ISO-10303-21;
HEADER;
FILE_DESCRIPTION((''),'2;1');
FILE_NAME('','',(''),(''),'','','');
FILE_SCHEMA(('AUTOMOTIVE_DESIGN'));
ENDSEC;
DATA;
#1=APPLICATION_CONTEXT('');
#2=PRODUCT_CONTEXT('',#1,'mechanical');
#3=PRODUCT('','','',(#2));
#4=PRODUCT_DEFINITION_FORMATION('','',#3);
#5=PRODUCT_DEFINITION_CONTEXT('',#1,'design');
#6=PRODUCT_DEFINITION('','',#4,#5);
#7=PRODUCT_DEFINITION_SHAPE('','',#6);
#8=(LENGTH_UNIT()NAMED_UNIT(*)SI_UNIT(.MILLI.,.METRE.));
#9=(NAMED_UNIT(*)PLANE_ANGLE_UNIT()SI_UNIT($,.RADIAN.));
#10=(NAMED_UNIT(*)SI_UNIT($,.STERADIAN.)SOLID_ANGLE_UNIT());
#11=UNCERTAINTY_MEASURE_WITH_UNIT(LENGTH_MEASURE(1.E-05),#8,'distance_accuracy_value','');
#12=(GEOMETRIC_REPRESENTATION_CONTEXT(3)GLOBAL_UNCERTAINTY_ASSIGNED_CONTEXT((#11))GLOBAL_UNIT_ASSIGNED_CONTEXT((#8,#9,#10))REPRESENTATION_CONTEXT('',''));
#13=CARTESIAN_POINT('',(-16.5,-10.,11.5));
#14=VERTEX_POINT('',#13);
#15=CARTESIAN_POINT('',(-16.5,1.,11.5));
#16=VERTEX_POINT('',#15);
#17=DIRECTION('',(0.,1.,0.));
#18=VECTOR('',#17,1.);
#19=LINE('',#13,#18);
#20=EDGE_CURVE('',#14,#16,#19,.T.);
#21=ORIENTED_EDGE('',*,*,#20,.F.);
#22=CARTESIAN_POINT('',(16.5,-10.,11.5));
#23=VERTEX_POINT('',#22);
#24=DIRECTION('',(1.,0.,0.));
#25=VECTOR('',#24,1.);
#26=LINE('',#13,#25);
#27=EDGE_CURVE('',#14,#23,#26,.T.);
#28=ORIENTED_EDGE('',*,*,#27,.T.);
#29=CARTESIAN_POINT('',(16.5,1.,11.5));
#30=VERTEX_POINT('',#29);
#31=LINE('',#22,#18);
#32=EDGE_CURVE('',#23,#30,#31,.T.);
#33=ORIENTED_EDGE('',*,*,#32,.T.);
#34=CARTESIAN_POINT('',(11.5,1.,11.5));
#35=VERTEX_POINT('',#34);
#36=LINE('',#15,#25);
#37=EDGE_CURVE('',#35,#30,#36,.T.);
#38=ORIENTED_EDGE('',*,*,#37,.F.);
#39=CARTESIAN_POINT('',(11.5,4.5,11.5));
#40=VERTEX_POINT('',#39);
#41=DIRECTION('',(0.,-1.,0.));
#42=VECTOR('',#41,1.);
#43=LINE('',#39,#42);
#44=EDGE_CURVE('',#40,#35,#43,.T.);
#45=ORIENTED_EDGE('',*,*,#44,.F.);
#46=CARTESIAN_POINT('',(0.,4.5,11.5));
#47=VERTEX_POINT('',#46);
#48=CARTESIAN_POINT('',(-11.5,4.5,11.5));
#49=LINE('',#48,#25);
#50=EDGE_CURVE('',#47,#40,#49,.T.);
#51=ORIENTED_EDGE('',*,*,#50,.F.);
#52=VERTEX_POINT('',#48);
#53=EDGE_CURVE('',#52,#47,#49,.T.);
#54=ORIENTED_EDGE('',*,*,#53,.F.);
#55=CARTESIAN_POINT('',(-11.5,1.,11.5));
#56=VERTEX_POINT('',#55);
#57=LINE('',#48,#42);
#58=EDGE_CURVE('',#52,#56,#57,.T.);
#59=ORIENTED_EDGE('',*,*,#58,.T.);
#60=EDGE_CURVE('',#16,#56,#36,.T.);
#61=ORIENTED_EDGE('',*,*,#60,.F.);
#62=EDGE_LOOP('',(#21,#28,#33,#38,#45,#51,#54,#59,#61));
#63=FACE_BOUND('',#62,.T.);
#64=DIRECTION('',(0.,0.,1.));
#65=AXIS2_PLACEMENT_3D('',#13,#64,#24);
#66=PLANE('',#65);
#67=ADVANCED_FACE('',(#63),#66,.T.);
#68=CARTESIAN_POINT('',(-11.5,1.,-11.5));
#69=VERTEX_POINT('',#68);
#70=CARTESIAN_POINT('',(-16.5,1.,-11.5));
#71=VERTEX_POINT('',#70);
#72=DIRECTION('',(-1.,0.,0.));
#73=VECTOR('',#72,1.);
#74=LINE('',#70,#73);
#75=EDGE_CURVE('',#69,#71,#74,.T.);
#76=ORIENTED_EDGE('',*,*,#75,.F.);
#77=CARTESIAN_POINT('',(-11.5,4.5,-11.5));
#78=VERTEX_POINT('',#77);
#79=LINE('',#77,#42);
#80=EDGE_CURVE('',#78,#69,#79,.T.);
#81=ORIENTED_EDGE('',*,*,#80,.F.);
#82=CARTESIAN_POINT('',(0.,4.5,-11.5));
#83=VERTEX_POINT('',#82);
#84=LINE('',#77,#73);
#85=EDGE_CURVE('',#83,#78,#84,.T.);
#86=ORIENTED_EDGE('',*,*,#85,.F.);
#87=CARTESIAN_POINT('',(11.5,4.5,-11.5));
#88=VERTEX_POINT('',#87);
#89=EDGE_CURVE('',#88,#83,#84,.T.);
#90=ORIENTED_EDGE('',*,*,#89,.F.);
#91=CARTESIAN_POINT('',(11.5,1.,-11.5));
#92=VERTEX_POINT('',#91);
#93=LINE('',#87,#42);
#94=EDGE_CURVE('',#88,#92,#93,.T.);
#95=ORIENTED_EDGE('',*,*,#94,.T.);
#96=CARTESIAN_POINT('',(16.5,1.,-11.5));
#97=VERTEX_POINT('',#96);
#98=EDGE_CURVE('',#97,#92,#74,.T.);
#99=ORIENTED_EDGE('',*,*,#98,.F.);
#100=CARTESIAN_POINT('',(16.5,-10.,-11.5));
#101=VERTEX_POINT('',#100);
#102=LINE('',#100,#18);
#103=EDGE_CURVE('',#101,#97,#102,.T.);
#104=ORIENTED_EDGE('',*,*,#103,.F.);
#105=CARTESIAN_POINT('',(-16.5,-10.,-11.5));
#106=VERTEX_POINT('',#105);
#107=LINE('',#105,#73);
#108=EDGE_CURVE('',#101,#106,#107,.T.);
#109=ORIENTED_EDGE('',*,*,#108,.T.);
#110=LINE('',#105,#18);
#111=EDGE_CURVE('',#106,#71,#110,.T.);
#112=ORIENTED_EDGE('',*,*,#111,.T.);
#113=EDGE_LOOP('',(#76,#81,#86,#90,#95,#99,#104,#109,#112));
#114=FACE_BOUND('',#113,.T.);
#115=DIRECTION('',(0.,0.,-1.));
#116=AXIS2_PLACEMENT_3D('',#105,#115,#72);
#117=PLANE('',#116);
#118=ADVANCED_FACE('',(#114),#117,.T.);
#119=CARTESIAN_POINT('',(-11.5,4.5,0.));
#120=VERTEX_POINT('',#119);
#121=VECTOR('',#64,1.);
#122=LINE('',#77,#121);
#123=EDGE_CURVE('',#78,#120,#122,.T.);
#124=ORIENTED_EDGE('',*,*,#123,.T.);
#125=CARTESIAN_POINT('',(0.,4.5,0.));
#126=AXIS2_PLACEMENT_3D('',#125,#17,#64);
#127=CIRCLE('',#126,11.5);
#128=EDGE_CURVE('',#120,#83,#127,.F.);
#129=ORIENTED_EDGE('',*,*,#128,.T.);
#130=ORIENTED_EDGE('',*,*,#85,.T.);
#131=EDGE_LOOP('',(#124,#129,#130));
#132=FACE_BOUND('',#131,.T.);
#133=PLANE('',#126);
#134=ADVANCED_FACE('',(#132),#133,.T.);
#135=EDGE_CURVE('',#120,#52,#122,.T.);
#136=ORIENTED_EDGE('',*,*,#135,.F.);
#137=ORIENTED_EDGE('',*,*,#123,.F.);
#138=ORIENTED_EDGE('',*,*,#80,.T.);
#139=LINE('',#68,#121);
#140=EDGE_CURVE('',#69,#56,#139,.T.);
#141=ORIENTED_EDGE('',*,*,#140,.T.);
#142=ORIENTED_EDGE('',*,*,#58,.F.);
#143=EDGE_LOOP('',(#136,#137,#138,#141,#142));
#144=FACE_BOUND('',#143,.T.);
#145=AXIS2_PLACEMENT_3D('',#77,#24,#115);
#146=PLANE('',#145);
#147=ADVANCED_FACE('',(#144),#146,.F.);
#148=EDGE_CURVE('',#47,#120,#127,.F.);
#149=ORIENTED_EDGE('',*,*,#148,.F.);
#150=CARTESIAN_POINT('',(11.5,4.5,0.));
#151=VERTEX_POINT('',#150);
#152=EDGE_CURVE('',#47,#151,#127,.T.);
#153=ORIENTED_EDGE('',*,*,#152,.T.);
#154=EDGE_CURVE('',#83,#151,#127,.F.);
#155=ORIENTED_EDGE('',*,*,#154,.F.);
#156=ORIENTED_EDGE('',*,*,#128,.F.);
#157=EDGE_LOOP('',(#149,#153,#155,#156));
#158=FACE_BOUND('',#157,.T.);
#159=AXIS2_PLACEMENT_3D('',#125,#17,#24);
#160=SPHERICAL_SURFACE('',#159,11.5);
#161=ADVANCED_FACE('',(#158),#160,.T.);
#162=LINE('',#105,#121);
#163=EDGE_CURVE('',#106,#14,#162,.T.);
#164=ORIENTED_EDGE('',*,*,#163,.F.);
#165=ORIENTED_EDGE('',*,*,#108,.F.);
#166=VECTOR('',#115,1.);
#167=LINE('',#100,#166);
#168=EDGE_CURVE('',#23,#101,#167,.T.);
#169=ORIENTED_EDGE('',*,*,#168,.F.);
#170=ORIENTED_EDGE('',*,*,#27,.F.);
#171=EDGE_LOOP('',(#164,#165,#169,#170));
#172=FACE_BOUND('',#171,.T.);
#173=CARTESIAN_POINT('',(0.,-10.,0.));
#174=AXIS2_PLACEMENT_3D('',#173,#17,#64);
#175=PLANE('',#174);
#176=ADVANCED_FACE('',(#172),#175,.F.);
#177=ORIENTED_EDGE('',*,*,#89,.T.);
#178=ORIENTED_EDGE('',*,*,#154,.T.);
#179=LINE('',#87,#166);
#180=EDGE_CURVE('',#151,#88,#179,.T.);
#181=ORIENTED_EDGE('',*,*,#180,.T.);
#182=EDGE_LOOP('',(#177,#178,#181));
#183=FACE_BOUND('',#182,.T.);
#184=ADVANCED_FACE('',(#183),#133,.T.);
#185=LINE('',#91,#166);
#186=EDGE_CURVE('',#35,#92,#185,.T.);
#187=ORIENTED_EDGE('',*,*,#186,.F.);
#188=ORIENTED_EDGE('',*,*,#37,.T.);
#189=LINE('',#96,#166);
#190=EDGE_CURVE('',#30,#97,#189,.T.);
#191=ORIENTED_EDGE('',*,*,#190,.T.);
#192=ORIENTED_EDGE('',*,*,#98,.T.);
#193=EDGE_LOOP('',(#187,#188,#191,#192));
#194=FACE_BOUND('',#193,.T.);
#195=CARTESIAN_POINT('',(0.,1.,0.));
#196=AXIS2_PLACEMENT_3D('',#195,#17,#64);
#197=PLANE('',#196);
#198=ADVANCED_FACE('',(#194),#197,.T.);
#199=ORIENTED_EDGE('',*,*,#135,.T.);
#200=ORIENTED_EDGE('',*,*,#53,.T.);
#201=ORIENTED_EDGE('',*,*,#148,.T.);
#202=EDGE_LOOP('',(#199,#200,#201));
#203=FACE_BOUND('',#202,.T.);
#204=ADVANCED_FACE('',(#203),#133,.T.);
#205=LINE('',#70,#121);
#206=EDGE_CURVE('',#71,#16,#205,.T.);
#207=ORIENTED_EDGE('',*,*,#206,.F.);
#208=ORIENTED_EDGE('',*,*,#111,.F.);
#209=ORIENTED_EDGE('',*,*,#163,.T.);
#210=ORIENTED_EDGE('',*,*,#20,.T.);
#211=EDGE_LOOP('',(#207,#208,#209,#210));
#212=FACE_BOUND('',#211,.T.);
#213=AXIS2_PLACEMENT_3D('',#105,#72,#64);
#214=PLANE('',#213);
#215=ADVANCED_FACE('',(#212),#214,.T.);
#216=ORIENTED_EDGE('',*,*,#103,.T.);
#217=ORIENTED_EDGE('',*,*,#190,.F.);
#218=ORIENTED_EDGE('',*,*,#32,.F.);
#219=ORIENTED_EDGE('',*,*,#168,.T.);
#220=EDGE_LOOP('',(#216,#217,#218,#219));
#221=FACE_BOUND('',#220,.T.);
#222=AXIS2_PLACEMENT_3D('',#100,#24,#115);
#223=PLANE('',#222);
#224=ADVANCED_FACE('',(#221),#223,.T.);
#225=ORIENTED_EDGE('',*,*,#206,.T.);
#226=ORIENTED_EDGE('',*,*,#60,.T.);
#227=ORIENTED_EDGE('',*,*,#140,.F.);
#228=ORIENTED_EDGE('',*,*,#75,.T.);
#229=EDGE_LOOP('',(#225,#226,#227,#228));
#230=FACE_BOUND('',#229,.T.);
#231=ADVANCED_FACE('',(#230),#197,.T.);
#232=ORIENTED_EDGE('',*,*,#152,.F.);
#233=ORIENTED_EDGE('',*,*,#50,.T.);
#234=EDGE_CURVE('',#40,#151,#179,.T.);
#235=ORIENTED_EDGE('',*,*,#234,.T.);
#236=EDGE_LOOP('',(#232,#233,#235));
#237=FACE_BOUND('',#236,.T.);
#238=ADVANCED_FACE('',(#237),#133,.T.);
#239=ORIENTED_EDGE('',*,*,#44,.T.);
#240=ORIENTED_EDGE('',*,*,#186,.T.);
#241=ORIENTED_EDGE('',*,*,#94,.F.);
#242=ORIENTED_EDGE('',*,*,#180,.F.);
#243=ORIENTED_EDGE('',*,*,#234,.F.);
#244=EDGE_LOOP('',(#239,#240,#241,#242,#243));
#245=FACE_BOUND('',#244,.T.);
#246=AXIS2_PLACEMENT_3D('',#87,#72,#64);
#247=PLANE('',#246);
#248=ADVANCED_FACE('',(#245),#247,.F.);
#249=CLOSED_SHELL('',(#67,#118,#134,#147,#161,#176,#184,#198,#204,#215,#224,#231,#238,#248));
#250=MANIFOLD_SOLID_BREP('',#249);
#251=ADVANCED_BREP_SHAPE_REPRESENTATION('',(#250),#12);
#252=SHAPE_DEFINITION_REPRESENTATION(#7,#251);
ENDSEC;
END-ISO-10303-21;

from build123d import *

# Parameters (mm, degrees)
BOSS_EXTRUDE1_DEPTH      = 1
BOSS_EXTRUDE1_DEPTH_BACK = 10
SKETCH1_W                = 33
SKETCH1_H                = 23
SKETCH2_W                = 23
SKETCH2_H                = 23
BOSS_EXTRUDE2_DEPTH      = 3.5


with BuildPart() as part:
    # Sketch1 → Boss-Extrude1 (new, two sides: drawn at the far end of the back side and taken through both)
    with BuildSketch(Plane(origin=(0, 0, 0), x_dir=(1, 0, 0), z_dir=(0, 1, 0)).offset(-BOSS_EXTRUDE1_DEPTH_BACK)):
        Rectangle(SKETCH1_W, SKETCH1_H)
    extrude(amount=BOSS_EXTRUDE1_DEPTH + BOSS_EXTRUDE1_DEPTH_BACK)

    # Sketch2 → Boss-Extrude2 (add)
    with BuildSketch(Plane(origin=(0, 1, 0), x_dir=(1, 0, 0), z_dir=(0, 1, 0))):
        Rectangle(SKETCH2_W, SKETCH2_H)
    extrude(amount=BOSS_EXTRUDE2_DEPTH)

    # Sketch3 → Revolve1 (revolve)
    with BuildSketch(Plane.XY):
        with BuildLine():
            Line((0, 4.5), (11.5, 4.5))
            ThreePointArc((11.5, 4.5), (8.131727984, 12.631727984), (0, 16))
            Line((0, 16), (0, 4.5))
        make_face()
    revolve(axis=Axis((0, 16, 0), (0, -1, 0)))


solid = part.part
